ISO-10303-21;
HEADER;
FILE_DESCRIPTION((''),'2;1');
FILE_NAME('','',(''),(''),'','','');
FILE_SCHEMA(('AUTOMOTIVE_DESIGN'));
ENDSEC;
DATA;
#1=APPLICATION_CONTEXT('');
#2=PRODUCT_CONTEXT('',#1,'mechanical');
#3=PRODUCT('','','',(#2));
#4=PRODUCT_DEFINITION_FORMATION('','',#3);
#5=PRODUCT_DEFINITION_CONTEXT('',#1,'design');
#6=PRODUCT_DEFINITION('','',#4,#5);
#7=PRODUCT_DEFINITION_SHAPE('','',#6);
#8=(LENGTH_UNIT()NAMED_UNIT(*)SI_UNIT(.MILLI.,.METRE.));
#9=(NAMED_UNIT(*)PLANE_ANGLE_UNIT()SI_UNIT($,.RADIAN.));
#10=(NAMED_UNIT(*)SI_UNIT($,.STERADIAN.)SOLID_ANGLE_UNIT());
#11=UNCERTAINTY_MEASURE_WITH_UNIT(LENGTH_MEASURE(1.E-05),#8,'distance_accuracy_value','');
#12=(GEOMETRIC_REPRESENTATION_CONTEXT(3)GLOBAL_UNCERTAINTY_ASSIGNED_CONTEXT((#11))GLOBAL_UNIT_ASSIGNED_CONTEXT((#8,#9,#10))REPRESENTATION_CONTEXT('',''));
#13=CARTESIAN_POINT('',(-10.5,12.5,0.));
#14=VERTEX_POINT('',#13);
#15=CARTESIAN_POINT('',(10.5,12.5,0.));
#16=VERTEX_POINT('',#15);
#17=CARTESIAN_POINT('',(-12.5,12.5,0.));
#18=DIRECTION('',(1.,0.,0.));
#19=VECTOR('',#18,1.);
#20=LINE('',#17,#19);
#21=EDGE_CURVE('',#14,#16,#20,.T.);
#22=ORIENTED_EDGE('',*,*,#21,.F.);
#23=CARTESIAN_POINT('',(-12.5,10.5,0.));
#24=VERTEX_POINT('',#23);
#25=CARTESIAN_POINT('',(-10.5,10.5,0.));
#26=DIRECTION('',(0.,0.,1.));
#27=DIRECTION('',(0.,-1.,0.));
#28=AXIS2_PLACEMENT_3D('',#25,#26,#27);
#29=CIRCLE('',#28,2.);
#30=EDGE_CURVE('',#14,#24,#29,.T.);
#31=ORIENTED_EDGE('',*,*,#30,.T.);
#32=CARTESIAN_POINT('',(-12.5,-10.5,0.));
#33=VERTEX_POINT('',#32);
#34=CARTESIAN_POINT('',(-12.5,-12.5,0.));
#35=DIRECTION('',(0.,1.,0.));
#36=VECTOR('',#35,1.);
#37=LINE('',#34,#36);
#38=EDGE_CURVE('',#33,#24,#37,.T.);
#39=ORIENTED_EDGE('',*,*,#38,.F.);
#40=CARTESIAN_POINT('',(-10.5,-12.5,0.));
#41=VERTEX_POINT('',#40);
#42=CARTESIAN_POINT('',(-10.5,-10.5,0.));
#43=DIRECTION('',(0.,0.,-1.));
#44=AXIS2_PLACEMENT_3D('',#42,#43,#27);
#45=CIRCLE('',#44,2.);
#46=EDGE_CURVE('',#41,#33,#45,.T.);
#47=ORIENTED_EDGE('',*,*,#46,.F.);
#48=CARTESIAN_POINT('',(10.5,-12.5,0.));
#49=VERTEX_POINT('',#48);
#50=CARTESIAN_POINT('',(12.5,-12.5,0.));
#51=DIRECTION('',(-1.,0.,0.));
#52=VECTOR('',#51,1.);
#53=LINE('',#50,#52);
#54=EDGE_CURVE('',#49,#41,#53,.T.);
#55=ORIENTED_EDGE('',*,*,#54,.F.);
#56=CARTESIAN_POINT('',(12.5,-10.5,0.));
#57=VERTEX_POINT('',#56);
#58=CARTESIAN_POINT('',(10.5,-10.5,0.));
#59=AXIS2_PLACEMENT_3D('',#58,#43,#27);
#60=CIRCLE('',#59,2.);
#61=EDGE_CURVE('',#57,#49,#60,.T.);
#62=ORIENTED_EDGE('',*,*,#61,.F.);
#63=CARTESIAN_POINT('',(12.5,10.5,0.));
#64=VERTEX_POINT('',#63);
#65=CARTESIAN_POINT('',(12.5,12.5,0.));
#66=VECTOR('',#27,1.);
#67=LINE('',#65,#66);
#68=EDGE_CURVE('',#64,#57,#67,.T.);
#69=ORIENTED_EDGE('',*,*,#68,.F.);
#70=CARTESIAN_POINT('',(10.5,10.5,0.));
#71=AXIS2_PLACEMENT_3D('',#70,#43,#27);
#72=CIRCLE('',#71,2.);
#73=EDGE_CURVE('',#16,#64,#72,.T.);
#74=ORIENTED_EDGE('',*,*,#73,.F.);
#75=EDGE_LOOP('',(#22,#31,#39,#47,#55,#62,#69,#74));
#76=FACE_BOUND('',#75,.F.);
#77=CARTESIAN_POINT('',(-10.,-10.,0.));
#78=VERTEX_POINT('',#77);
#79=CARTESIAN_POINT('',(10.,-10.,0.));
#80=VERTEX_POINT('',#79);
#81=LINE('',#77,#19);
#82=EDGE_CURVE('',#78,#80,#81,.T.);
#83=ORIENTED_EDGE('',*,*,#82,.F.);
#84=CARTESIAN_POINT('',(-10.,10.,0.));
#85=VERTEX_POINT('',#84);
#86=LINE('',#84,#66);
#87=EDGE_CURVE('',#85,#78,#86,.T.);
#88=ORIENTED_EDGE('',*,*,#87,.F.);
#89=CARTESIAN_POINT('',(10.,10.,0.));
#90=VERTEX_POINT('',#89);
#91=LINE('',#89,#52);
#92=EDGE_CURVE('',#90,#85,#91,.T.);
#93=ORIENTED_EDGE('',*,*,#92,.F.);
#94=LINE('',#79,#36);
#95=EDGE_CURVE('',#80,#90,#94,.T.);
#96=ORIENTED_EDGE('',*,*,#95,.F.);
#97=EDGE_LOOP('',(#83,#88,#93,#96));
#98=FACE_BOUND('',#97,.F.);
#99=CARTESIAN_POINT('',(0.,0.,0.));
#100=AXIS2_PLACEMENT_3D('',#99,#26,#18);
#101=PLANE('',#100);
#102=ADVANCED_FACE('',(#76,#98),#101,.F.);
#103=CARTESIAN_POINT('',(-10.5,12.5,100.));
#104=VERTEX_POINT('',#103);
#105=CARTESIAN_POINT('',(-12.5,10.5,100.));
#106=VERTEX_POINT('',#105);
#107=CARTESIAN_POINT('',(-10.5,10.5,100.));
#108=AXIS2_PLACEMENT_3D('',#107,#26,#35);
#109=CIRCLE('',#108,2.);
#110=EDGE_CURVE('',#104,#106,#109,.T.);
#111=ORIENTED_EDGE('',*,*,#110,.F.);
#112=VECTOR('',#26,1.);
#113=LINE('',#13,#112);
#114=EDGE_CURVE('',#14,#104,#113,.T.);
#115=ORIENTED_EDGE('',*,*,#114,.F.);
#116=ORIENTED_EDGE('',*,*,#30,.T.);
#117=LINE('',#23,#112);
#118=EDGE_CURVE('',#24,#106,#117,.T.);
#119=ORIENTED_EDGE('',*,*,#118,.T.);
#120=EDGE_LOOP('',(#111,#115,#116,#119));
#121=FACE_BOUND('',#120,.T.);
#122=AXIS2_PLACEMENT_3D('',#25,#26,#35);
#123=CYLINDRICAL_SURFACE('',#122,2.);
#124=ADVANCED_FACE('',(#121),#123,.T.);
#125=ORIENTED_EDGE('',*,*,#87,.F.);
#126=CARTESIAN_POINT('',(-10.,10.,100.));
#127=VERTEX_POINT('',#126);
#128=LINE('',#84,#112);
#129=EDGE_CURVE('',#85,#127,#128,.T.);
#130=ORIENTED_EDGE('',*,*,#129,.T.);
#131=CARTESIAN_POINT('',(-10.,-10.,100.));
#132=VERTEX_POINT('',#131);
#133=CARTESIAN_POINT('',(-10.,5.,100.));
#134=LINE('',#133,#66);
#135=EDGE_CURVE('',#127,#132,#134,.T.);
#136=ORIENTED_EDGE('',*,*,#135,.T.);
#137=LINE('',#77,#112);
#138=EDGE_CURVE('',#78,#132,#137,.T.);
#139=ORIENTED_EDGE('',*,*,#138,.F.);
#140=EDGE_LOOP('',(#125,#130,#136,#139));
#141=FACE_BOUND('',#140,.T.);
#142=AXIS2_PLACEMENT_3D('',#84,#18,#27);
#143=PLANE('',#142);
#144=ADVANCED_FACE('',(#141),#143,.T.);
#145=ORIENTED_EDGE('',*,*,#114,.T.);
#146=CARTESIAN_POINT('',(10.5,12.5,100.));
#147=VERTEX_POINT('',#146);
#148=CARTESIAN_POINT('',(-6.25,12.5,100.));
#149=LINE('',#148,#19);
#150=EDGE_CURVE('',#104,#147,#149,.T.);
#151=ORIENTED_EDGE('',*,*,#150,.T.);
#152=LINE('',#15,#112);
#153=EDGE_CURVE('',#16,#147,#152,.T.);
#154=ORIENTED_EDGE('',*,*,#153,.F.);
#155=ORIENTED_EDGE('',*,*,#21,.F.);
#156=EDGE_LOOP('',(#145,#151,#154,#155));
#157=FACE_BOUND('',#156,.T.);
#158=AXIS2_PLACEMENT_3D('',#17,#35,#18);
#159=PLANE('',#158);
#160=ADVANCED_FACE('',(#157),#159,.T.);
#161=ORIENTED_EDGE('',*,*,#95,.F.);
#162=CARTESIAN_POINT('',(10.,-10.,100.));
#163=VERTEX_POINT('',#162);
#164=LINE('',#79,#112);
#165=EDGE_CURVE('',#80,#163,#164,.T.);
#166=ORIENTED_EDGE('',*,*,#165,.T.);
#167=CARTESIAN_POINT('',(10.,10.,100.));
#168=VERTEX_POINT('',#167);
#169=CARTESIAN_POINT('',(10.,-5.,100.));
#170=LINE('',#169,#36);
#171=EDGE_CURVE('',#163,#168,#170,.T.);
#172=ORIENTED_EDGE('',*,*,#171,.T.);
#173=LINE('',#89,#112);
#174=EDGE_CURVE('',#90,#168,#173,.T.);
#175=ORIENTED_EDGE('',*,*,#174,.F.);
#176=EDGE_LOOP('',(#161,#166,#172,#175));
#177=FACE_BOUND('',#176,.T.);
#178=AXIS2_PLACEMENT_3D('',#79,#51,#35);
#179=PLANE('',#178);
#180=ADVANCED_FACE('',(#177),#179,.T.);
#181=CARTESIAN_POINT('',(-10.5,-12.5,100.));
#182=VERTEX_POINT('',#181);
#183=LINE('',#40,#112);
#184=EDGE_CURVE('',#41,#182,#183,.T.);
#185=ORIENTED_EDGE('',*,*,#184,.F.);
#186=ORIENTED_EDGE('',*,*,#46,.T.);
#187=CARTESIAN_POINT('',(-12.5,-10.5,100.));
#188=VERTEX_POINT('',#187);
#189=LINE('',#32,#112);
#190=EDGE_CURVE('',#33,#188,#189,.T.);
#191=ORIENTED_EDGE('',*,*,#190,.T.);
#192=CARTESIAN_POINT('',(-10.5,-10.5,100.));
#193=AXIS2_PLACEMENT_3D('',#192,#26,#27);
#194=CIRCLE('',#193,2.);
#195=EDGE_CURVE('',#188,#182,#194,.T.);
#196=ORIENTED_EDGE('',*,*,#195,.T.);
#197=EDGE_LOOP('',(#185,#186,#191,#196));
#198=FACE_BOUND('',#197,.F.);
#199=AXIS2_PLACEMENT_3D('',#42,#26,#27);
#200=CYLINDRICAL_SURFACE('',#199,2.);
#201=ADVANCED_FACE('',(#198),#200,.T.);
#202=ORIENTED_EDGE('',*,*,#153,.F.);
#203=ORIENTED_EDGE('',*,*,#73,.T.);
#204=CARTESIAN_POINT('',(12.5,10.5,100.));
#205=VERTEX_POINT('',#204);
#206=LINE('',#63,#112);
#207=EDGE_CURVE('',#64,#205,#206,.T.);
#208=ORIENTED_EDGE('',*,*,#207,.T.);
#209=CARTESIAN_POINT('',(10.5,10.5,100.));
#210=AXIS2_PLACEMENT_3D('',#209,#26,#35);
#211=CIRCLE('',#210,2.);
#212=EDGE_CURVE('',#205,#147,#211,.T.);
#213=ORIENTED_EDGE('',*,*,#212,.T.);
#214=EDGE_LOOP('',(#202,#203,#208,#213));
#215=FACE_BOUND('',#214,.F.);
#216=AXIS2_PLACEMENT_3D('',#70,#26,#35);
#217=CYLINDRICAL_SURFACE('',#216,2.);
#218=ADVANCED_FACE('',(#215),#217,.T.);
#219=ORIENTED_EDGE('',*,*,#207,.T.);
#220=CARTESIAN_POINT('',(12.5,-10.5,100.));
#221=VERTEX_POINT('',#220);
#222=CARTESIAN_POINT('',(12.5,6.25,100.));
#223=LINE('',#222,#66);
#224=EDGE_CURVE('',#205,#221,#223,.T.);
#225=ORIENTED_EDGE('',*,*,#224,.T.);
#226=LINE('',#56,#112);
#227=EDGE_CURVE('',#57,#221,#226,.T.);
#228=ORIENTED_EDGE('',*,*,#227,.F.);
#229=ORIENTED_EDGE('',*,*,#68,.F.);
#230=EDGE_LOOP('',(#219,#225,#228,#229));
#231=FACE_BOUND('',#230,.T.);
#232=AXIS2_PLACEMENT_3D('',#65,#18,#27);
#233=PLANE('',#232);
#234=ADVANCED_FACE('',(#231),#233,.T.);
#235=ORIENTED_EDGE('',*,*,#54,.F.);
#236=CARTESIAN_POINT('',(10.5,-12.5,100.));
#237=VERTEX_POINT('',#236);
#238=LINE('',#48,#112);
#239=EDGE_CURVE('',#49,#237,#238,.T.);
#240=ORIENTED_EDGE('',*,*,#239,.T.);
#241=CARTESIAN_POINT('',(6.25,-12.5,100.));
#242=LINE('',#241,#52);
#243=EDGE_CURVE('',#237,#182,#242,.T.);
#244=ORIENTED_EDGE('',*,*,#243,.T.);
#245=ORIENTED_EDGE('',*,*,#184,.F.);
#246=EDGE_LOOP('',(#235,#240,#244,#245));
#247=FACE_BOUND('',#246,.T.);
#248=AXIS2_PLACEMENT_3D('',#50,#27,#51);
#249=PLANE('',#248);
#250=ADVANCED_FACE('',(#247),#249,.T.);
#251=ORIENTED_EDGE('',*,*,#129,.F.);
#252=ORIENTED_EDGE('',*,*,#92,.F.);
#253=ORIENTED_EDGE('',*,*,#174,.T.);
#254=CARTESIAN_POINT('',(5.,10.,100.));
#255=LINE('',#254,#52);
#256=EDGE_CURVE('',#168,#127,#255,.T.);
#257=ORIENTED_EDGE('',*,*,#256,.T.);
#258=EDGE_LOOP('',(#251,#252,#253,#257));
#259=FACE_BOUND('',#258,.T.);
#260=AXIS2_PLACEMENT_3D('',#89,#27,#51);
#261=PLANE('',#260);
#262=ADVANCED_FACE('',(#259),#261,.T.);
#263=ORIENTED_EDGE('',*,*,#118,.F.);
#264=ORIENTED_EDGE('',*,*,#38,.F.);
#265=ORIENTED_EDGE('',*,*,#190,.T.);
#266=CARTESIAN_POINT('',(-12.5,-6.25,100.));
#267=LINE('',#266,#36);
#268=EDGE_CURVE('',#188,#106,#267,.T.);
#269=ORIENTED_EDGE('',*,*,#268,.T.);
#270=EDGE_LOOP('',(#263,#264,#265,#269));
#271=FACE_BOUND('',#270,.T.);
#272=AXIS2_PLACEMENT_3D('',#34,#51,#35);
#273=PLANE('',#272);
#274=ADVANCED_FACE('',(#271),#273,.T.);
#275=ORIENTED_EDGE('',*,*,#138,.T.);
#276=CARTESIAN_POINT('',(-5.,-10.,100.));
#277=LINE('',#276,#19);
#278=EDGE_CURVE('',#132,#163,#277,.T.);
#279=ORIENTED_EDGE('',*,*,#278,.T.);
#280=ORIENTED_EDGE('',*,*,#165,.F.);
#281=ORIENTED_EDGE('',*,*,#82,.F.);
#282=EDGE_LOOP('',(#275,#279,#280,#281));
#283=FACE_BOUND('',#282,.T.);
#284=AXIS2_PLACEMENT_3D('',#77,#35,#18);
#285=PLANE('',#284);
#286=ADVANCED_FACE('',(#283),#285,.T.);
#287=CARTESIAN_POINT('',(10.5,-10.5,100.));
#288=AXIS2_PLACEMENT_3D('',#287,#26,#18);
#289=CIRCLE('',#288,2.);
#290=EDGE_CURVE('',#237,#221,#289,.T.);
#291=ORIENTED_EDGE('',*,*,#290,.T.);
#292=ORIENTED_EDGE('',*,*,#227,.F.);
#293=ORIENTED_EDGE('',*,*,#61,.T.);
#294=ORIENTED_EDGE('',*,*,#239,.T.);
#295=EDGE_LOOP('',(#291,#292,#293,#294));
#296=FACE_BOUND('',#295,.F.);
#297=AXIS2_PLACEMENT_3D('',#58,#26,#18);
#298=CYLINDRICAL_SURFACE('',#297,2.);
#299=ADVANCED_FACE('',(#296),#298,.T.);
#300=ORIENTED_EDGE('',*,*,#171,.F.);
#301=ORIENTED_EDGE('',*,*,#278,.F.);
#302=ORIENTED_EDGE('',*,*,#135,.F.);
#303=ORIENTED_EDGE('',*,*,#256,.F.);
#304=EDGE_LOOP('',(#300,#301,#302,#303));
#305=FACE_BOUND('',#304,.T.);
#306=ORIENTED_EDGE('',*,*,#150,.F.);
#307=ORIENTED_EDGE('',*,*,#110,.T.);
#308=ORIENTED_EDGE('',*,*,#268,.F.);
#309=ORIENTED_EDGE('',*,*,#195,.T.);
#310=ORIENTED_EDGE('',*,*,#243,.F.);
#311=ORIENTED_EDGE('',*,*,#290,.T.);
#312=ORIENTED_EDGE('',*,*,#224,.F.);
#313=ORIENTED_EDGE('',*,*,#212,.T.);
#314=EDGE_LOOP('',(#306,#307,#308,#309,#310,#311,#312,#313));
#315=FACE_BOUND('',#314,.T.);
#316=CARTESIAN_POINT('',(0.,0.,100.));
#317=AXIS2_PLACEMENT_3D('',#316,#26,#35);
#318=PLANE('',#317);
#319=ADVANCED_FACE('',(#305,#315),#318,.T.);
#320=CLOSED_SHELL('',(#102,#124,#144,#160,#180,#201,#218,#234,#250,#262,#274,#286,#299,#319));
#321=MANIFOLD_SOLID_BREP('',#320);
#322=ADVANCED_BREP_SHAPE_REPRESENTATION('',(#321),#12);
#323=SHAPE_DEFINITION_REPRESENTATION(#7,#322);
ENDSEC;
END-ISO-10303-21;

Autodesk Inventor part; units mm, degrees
ref_plane "YZ Plane" through (0, 0, 0) normal (1, 0, 0) x (0, 1, 0)
sketch "Sketch1" plane through (0, 0, 0) normal (0, 0, 1) x (1, 0, 0)
  line L0 (-12.5, 12.5) -> (12.5, 12.5)
  line L1 (12.5, 12.5) -> (12.5, -12.5)
  line L2 (12.5, -12.5) -> (-12.5, -12.5)
  line L3 (-12.5, -12.5) -> (-12.5, 12.5)
  line L4 (10, 10) -> (-10, 10)
  line L5 (-10, 10) -> (-10, -10)
  line L6 (-10, -10) -> (10, -10)
  line L7 (10, -10) -> (10, 10)
  point P0 (0, 0)
  dimension "d0" = 25
  dimension "d1" = 25
  dimension "d2" = 12.5
  dimension "d3" = 12.5
  dimension "d4" = 2.5
extrude "Extrusion1" add sketch "Sketch1" along normal blind 1000
fillet "Fillet1" radius 2 4 edges at (12.5, 12.5, 500) (-12.5, 12.5, 500) (-12.5, -12.5, 500) (12.5, -12.5, 500)
ref_plane "Work Plane1" through (0, 0, 100) normal (0, 0, -1) x (-1, 0, 0)
split "Split1" plane through (0, 0, 100) removes the side toward (0, 0, 1)
ref_plane "axialPlane" through (0, -10.5, 0) normal (1, 0, 0) x (0, 0, -1)
equation "\"d0\" = -2 * a + sm_varx_squareBarDimension - tol"
equation "\"d1\" = d0"
equation "\"d2\" = 0.5 * d1"
equation "\"d3\" = 0.5 * d0"
equation "\"d4\" = sm_varx_squareBarThickness"
equation "\"sm_varx_squareBarThickness\" = 2.5"
equation "\"a\" = sm_varx_squareBarThickness"
equation "\"hoop_angle_z\" = 45deg"
equation "\"hoop_bearing_length\" = 5deg"
equation "\"hoop_cable_diam\" = 5"
equation "\"hoop_cable_pulley_diam\" = 22"
equation "\"hoop_thickness_large\" = 4"
equation "\"hoop_thickness_medium\" = 3.2"
equation "\"hoop_thickness_small\" = 2"
equation "\"hoop_width_large\" = 51"
equation "\"hoop_width_medium\" = 33.7"
equation "\"hoop_width_small\" = 25.4"
equation "\"rack_tooth_addendum\" = 5"
equation "\"rack_tooth_dedendum\" = 5"
equation "\"rack_tooth_thickness\" = 5"
equation "\"secure_arm_angle\" = 35deg"
equation "\"secure_arm_radii\" = 9"
equation "\"support_baseClamp_platformLengthBuffer\" = 35"
equation "\"support_baseClamp_platformThickness\" = 15"
equation "\"support_baseClamp_platformWidthBuffer\" = 0"
equation "\"support_baseClamp_sleeveHoleDiameter\" = 12"
equation "\"support_baseClamp_sleeveSweepTerminationAngle\" = 55deg"
equation "\"support_baseClamp_thickness\" = 8"
equation "\"support_frame_endHoleBuffer\" = 45"
equation "\"support_frame_squareBarFillet\" = 2"
equation "\"support_frame_squareBarThickness\" = 5"
equation "\"hoop_tabs_thickness\" = 6"
equation "\"hoop_tabs_hole\" = 12"
equation "\"wheelchair_deployed_width\" = 635"
equation "\"wheelchair_deployed_length\" = 1067"
equation "\"wheelchair_deployed_height\" = 914"
equation "\"sm_varx_pinPlate_thickness\" = 5"
equation "\"sm_varx_pinPlate_holeDiameter\" = 5"
equation "\"sm_varx_member_tolerance\" = 0"
equation "\"hoop_bushing12_radialInterference\" = 0"
equation "\"hoop_bushing23_radialInterference\" = 0"
equation "\"hoop_bushing23_od\" = -2 * hoop_thickness_medium + hoop_width_medium + hoop_bushing23_radialInterference"
equation "\"hoop_bushing23_thickness\" = -hoop_width_small + hoop_bushing23_od - 2 * hoop_bushing23_radialInterference"
equation "\"hoop_bushing12_od\" = -2 * hoop_thickness_large + hoop_width_large + hoop_bushing12_radialInterference"
equation "\"wheelchatir_pos_deploy_angle_0\" = 65deg"
equation "\"wheelchatir_pos_store_angle_0\" = 90deg"
equation "\"wheelchatir_pos_deploy_angle_1\" = 20deg"
equation "\"wheelchatir_pos_store_angle_1\" = 20deg"
equation "\"hoop_bushing12_thickness\" = -hoop_width_medium + hoop_bushing12_od - 2 * hoop_bushing12_radialInterference"
equation "\"sm_varx_squareBarDimension\" = 30"
equation "\"tol\" = 0"
properties part number "member_axial" material "Steel, Galvanized"
